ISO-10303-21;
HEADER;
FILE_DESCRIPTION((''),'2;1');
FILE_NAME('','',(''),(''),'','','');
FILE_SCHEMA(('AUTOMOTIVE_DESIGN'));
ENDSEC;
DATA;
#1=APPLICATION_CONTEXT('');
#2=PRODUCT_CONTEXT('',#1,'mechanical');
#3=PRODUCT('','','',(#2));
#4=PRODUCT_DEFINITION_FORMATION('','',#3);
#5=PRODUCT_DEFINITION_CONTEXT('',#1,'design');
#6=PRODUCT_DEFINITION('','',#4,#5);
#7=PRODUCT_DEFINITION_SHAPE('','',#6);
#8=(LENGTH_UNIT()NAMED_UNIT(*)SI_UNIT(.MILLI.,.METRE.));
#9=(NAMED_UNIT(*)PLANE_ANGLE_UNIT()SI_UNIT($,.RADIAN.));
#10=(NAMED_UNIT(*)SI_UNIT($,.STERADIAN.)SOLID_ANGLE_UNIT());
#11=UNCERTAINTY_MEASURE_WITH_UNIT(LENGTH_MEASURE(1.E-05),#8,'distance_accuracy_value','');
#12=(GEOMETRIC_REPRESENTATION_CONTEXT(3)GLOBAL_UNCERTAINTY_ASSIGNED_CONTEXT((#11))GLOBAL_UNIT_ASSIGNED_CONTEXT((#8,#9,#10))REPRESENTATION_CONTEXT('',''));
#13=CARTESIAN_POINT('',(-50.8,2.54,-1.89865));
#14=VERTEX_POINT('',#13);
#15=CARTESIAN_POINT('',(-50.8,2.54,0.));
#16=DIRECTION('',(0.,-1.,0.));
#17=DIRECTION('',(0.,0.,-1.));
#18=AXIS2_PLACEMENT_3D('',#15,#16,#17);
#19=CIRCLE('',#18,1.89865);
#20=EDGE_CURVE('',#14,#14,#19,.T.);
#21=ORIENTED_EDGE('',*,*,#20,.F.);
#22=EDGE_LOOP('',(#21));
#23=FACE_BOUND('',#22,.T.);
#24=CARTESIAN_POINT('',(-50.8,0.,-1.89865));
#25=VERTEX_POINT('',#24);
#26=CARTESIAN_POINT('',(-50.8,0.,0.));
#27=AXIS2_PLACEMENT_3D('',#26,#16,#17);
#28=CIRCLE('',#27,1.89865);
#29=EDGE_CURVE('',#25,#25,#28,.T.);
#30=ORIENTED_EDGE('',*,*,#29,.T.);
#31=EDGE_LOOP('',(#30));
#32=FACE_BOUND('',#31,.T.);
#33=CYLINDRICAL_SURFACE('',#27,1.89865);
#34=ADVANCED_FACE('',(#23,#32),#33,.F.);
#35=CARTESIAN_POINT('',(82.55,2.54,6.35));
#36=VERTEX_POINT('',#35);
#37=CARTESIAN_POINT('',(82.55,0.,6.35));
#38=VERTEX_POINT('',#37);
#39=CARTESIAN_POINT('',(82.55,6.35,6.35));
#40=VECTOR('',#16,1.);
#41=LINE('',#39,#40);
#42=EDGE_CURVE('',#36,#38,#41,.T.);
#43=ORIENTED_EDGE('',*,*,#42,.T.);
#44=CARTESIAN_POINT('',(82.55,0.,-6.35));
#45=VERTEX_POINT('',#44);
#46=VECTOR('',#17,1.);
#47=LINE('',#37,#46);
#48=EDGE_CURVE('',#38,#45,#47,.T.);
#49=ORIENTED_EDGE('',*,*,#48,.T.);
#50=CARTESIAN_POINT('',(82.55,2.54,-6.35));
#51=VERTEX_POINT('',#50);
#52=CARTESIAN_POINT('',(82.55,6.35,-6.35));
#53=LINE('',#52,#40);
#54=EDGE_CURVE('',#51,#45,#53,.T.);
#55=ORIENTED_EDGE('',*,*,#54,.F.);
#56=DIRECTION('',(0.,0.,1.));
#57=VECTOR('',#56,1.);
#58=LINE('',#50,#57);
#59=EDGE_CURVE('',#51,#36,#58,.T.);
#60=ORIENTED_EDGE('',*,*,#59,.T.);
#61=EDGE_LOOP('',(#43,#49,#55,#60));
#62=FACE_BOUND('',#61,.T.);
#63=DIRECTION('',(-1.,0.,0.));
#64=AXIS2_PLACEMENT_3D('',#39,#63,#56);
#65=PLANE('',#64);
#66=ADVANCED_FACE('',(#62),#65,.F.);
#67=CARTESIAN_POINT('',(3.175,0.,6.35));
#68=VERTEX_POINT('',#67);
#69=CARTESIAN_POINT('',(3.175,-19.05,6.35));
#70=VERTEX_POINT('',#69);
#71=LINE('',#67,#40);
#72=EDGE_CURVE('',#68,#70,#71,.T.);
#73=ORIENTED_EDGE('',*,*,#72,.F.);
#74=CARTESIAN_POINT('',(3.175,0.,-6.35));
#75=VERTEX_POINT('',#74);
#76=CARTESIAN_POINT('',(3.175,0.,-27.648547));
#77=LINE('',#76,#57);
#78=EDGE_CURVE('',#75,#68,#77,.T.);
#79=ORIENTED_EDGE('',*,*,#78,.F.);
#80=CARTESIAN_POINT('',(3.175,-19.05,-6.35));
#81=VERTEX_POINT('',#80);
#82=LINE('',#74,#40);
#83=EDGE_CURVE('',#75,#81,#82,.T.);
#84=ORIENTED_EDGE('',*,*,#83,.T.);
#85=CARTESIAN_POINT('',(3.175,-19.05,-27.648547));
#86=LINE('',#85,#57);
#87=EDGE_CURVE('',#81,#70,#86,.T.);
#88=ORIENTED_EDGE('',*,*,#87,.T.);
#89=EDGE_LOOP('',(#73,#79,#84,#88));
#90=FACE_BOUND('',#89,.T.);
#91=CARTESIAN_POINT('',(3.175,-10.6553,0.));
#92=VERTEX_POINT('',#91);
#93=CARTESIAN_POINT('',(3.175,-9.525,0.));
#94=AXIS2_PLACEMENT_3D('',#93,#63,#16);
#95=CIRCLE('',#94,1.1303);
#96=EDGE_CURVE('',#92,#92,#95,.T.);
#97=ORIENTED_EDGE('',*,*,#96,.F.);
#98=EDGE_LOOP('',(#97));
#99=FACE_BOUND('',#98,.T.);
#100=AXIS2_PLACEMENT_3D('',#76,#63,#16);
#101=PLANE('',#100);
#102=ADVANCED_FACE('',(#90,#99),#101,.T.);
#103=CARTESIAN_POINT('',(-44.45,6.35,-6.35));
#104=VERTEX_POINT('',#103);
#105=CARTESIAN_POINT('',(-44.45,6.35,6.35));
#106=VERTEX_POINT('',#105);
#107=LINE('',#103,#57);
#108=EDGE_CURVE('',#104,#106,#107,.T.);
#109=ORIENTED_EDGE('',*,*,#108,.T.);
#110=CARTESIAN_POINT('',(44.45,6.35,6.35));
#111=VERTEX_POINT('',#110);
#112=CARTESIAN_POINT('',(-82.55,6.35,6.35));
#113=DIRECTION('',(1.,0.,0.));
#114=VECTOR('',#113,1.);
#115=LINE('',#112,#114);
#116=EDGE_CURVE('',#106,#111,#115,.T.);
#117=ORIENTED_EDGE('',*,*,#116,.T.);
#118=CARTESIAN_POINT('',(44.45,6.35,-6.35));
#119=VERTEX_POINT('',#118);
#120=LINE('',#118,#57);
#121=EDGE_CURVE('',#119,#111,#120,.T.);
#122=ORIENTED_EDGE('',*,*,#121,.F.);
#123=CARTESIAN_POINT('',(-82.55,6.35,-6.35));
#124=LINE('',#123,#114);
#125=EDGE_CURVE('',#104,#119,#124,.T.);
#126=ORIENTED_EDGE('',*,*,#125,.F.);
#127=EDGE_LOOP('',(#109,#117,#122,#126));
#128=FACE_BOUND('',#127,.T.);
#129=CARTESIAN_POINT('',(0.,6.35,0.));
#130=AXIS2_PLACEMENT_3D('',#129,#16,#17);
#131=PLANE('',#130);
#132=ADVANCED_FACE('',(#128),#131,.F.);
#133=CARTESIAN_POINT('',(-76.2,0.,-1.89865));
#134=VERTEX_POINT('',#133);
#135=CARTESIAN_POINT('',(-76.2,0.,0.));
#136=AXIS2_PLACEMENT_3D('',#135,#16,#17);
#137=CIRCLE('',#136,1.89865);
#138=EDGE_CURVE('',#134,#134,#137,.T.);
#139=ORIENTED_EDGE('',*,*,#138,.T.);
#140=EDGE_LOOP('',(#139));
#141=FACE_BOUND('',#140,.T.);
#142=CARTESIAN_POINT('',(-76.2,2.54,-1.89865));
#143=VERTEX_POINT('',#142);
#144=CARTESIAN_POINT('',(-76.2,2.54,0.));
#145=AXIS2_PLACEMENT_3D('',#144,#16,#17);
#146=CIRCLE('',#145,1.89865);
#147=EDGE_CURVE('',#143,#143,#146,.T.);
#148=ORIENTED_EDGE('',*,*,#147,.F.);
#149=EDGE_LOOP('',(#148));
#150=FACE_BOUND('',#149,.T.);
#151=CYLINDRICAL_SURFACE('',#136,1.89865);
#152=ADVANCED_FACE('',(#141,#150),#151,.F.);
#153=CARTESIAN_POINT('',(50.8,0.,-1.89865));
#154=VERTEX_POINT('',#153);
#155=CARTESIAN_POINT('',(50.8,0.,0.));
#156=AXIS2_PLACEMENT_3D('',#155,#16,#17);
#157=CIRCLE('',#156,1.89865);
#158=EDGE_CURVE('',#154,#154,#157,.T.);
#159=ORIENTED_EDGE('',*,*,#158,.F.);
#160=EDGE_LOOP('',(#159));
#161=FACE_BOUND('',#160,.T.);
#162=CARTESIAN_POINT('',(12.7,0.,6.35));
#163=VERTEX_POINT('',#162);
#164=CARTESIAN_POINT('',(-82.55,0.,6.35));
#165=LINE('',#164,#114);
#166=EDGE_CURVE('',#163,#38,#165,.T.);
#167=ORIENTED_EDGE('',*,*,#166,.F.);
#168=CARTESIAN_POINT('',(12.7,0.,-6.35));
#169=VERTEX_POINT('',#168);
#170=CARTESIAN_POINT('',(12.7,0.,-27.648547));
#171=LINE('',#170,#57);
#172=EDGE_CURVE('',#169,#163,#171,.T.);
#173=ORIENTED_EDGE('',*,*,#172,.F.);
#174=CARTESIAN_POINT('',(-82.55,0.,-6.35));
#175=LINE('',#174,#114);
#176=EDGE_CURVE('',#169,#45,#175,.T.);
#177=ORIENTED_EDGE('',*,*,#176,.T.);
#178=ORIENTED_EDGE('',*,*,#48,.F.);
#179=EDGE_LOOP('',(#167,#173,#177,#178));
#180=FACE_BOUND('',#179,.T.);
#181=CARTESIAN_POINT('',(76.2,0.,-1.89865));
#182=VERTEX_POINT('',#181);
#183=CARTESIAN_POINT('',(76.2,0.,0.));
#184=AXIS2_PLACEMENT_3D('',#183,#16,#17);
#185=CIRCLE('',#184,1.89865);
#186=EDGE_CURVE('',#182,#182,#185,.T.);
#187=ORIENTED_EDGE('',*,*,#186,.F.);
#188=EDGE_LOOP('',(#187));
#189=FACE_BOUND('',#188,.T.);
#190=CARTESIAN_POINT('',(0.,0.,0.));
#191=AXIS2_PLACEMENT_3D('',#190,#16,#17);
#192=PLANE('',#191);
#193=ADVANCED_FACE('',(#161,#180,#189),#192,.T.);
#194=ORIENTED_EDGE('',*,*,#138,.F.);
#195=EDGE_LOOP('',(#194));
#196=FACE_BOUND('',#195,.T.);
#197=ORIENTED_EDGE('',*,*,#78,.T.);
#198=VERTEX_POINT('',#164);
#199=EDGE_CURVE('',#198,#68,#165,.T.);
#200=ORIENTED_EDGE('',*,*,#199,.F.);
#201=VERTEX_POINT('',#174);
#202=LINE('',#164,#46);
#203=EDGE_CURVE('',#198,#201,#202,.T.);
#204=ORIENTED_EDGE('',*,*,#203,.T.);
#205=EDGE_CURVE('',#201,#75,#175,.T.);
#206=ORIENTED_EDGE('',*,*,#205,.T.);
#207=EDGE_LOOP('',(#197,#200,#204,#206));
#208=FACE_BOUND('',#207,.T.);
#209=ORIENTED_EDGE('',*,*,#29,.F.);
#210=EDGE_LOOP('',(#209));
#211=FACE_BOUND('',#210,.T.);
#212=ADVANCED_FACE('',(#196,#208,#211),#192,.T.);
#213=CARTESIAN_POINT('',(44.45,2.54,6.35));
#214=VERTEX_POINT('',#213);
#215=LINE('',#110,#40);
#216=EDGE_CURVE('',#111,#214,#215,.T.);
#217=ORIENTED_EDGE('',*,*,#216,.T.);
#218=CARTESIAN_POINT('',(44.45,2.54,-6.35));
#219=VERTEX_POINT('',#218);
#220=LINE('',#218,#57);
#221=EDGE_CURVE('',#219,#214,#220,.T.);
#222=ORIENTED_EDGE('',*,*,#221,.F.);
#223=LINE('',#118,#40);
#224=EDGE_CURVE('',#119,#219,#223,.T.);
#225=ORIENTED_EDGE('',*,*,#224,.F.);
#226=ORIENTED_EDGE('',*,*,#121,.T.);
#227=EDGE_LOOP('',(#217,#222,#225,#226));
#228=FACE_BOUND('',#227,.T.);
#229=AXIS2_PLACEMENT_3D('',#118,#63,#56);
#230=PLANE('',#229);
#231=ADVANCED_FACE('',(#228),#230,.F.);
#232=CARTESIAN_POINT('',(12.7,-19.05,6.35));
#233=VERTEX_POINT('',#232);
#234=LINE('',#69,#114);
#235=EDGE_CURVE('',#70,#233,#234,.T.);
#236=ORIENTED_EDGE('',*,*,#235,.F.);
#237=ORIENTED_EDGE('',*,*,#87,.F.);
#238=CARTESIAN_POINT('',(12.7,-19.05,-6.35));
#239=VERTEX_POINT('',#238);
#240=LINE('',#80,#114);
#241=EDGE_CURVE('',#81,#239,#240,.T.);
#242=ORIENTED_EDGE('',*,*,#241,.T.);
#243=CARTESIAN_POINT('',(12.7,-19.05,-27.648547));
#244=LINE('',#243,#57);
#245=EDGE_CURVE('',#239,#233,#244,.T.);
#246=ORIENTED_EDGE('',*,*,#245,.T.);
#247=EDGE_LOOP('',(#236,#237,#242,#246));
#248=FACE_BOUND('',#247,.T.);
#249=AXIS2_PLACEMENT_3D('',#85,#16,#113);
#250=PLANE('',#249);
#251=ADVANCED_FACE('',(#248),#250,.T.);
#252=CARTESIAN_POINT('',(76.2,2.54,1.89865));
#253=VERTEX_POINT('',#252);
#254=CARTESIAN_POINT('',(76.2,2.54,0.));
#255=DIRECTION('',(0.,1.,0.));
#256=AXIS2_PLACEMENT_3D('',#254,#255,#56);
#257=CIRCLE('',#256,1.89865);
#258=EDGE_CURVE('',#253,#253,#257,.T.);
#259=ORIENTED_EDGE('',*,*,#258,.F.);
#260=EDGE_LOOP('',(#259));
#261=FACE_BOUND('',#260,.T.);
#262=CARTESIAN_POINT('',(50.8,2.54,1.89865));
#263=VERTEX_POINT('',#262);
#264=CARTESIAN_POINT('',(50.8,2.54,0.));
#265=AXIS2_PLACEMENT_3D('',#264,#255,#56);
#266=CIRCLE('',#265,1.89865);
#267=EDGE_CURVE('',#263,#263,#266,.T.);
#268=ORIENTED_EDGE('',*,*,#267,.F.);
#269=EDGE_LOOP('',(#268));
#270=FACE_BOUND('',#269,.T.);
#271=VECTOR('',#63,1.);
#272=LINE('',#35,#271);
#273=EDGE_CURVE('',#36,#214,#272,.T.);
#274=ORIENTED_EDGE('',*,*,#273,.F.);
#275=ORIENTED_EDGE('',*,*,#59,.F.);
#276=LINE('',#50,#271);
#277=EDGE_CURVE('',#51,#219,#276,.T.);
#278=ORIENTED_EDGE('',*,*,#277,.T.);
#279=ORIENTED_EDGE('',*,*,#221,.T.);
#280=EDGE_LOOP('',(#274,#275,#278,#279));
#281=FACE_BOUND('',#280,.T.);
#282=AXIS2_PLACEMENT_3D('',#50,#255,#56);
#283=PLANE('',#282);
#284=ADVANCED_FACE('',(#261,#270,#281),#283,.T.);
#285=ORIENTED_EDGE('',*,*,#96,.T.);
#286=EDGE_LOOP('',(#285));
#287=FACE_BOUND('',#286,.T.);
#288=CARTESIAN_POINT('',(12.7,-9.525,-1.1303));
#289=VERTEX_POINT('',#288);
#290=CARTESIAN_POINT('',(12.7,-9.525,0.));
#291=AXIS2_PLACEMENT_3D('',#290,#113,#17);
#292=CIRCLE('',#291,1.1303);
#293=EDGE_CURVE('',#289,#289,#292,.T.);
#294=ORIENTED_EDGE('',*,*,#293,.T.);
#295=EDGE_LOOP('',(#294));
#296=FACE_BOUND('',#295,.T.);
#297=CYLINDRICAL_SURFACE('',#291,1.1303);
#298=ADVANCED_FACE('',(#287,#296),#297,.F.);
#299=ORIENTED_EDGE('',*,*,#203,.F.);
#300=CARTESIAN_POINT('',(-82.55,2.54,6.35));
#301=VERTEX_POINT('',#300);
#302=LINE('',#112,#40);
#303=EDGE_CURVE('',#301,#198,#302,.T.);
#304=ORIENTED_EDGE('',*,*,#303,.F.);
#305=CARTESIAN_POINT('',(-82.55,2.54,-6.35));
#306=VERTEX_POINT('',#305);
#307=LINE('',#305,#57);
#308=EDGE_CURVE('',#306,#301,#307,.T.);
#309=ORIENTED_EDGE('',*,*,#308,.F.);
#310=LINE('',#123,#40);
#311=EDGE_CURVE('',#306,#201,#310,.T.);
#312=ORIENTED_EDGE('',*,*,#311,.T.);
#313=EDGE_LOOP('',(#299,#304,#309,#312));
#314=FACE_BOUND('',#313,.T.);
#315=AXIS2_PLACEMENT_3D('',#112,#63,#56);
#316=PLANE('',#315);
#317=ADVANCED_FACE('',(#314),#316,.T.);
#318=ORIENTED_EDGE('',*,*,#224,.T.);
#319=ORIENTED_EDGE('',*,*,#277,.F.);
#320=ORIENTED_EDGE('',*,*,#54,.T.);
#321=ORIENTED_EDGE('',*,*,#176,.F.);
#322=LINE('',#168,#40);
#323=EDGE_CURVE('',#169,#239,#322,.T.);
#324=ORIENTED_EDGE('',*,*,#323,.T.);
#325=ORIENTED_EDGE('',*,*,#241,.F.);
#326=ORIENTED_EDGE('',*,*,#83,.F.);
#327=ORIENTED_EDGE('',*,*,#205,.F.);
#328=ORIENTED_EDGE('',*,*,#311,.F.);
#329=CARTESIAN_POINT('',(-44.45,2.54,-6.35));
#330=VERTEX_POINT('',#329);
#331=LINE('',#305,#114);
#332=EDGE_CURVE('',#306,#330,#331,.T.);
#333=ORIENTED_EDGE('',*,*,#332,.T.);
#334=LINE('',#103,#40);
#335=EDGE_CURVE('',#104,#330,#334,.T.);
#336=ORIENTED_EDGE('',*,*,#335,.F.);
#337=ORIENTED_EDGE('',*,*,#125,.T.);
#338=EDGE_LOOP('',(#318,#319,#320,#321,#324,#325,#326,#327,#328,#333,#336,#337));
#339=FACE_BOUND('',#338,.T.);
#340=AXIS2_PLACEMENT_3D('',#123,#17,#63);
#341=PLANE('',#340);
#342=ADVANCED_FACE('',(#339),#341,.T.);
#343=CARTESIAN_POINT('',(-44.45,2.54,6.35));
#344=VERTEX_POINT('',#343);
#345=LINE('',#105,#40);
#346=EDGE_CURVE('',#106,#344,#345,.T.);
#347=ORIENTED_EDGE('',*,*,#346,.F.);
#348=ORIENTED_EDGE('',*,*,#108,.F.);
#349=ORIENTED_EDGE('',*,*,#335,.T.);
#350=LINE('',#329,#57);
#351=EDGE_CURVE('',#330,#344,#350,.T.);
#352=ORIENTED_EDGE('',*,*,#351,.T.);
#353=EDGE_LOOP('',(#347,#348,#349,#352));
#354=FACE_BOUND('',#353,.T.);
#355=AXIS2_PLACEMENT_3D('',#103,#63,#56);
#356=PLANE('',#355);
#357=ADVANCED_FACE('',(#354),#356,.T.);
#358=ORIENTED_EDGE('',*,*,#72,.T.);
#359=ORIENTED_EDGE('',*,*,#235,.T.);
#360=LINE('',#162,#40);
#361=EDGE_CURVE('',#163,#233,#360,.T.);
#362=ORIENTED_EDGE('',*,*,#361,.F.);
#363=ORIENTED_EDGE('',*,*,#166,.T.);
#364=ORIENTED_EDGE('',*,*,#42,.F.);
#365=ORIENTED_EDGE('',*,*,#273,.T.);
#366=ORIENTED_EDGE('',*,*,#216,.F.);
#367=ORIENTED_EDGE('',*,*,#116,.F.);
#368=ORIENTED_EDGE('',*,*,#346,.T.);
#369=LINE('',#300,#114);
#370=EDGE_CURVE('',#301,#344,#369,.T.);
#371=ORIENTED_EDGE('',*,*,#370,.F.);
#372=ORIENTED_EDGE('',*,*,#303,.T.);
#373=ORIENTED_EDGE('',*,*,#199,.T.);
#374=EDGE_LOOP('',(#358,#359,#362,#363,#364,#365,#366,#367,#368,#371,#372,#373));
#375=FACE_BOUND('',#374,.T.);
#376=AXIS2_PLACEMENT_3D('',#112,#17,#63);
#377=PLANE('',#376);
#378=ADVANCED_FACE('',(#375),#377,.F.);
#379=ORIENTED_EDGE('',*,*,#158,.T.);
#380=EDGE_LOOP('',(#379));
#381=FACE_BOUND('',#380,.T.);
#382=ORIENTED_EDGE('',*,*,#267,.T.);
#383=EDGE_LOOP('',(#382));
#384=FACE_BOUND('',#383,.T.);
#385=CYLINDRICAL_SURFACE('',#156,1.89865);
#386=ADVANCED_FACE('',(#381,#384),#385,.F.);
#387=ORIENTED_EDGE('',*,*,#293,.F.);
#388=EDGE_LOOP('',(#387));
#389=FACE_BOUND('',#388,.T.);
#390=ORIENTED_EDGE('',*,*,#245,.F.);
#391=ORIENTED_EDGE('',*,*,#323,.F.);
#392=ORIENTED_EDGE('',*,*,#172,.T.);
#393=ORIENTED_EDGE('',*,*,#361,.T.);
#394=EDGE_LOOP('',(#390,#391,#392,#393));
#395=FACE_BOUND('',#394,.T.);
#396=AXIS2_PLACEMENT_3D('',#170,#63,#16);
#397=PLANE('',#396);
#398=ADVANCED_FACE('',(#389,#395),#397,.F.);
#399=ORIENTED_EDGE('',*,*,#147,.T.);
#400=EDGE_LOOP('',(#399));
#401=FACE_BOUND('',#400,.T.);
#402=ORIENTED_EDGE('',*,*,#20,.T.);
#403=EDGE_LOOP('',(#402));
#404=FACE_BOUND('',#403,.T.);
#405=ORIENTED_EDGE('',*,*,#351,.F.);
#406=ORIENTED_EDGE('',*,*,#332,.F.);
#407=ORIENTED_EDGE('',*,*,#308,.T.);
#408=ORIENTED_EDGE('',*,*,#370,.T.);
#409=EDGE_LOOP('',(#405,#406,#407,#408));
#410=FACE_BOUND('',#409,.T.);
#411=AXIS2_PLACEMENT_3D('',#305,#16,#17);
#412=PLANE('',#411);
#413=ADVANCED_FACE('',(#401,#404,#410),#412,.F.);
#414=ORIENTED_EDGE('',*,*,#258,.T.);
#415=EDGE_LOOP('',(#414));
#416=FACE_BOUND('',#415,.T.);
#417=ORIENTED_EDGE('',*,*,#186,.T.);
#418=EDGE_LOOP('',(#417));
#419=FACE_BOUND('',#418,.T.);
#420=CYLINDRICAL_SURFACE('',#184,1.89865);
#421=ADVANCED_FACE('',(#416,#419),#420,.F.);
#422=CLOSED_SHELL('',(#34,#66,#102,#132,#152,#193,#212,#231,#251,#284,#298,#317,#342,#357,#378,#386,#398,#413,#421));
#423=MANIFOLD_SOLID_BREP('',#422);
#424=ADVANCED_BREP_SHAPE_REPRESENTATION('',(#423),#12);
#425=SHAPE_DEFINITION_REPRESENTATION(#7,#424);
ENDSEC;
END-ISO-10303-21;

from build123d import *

# Parameters (mm, degrees)
SKETCH1_W             = 165.1
SKETCH1_H             = 12.7
BOSS_EXTRUDE1_DEPTH   = 6.35
SKETCH2_W             = 38.1
SKETCH2_H             = 3.81
CUT_EXTRUDE1_DEPTH    = 84.762252835
F_6_CLEARANCE_HOLE1_D = 3.7973
SKETCH6_W             = 9.525
SKETCH6_H             = 19.05
BOSS_EXTRUDE2_DEPTH   = 12.7
F_4_40_TAPPED_HOLE1_D = 2.2606


with BuildPart() as part:
    # Sketch1 → Boss-Extrude1 (new body)
    with BuildSketch(Plane(origin=(0, 0, 0), x_dir=(1, 0, 0), z_dir=(0, 1, 0))):
        Rectangle(SKETCH1_W, SKETCH1_H)
    extrude(amount=BOSS_EXTRUDE1_DEPTH)

    # Sketch2 → Cut-Extrude1 (cut, through all)
    with BuildSketch(Plane.XY.offset(6.35)):
        with Locations((-63.5, 4.445)):
            Rectangle(SKETCH2_W, SKETCH2_H)
    cut_extrude1 = extrude(amount=-CUT_EXTRUDE1_DEPTH, mode=Mode.SUBTRACT)

    # #6 Clearance Hole1 (through all)
    with Locations(Plane(origin=(0, 0, 0), x_dir=(-1, 0, 0), z_dir=(0, -1, 0))):
        with Locations((50.8, 0), (76.2, 0)):
            f_6_clearance_hole1 = Hole(F_6_CLEARANCE_HOLE1_D / 2)

    # Mirror1: Cut-Extrude1, #6 Clearance Hole1 across plane
    add(cut_extrude1.mirror(Plane(origin=(0, 0, 0), x_dir=(0, 0, 1), z_dir=(1, 0, 0))), mode=Mode.SUBTRACT)
    add(f_6_clearance_hole1.mirror(Plane(origin=(0, 0, 0), x_dir=(0, 0, 1), z_dir=(1, 0, 0))), mode=Mode.SUBTRACT)

    # Sketch6 → Boss-Extrude2 (add)
    with BuildSketch(Plane.XY.offset(6.35)):
        with Locations((7.9375, -9.525)):
            Rectangle(SKETCH6_W, SKETCH6_H)
    extrude(amount=-BOSS_EXTRUDE2_DEPTH)

    # #4-40 Tapped Hole1 (through all)
    with Locations(Plane(origin=(12.7, 0, 0), x_dir=(0, 0, -1), z_dir=(1, 0, 0))):
        with Locations((0, -9.525)):
            Hole(F_4_40_TAPPED_HOLE1_D / 2)


solid = part.part
